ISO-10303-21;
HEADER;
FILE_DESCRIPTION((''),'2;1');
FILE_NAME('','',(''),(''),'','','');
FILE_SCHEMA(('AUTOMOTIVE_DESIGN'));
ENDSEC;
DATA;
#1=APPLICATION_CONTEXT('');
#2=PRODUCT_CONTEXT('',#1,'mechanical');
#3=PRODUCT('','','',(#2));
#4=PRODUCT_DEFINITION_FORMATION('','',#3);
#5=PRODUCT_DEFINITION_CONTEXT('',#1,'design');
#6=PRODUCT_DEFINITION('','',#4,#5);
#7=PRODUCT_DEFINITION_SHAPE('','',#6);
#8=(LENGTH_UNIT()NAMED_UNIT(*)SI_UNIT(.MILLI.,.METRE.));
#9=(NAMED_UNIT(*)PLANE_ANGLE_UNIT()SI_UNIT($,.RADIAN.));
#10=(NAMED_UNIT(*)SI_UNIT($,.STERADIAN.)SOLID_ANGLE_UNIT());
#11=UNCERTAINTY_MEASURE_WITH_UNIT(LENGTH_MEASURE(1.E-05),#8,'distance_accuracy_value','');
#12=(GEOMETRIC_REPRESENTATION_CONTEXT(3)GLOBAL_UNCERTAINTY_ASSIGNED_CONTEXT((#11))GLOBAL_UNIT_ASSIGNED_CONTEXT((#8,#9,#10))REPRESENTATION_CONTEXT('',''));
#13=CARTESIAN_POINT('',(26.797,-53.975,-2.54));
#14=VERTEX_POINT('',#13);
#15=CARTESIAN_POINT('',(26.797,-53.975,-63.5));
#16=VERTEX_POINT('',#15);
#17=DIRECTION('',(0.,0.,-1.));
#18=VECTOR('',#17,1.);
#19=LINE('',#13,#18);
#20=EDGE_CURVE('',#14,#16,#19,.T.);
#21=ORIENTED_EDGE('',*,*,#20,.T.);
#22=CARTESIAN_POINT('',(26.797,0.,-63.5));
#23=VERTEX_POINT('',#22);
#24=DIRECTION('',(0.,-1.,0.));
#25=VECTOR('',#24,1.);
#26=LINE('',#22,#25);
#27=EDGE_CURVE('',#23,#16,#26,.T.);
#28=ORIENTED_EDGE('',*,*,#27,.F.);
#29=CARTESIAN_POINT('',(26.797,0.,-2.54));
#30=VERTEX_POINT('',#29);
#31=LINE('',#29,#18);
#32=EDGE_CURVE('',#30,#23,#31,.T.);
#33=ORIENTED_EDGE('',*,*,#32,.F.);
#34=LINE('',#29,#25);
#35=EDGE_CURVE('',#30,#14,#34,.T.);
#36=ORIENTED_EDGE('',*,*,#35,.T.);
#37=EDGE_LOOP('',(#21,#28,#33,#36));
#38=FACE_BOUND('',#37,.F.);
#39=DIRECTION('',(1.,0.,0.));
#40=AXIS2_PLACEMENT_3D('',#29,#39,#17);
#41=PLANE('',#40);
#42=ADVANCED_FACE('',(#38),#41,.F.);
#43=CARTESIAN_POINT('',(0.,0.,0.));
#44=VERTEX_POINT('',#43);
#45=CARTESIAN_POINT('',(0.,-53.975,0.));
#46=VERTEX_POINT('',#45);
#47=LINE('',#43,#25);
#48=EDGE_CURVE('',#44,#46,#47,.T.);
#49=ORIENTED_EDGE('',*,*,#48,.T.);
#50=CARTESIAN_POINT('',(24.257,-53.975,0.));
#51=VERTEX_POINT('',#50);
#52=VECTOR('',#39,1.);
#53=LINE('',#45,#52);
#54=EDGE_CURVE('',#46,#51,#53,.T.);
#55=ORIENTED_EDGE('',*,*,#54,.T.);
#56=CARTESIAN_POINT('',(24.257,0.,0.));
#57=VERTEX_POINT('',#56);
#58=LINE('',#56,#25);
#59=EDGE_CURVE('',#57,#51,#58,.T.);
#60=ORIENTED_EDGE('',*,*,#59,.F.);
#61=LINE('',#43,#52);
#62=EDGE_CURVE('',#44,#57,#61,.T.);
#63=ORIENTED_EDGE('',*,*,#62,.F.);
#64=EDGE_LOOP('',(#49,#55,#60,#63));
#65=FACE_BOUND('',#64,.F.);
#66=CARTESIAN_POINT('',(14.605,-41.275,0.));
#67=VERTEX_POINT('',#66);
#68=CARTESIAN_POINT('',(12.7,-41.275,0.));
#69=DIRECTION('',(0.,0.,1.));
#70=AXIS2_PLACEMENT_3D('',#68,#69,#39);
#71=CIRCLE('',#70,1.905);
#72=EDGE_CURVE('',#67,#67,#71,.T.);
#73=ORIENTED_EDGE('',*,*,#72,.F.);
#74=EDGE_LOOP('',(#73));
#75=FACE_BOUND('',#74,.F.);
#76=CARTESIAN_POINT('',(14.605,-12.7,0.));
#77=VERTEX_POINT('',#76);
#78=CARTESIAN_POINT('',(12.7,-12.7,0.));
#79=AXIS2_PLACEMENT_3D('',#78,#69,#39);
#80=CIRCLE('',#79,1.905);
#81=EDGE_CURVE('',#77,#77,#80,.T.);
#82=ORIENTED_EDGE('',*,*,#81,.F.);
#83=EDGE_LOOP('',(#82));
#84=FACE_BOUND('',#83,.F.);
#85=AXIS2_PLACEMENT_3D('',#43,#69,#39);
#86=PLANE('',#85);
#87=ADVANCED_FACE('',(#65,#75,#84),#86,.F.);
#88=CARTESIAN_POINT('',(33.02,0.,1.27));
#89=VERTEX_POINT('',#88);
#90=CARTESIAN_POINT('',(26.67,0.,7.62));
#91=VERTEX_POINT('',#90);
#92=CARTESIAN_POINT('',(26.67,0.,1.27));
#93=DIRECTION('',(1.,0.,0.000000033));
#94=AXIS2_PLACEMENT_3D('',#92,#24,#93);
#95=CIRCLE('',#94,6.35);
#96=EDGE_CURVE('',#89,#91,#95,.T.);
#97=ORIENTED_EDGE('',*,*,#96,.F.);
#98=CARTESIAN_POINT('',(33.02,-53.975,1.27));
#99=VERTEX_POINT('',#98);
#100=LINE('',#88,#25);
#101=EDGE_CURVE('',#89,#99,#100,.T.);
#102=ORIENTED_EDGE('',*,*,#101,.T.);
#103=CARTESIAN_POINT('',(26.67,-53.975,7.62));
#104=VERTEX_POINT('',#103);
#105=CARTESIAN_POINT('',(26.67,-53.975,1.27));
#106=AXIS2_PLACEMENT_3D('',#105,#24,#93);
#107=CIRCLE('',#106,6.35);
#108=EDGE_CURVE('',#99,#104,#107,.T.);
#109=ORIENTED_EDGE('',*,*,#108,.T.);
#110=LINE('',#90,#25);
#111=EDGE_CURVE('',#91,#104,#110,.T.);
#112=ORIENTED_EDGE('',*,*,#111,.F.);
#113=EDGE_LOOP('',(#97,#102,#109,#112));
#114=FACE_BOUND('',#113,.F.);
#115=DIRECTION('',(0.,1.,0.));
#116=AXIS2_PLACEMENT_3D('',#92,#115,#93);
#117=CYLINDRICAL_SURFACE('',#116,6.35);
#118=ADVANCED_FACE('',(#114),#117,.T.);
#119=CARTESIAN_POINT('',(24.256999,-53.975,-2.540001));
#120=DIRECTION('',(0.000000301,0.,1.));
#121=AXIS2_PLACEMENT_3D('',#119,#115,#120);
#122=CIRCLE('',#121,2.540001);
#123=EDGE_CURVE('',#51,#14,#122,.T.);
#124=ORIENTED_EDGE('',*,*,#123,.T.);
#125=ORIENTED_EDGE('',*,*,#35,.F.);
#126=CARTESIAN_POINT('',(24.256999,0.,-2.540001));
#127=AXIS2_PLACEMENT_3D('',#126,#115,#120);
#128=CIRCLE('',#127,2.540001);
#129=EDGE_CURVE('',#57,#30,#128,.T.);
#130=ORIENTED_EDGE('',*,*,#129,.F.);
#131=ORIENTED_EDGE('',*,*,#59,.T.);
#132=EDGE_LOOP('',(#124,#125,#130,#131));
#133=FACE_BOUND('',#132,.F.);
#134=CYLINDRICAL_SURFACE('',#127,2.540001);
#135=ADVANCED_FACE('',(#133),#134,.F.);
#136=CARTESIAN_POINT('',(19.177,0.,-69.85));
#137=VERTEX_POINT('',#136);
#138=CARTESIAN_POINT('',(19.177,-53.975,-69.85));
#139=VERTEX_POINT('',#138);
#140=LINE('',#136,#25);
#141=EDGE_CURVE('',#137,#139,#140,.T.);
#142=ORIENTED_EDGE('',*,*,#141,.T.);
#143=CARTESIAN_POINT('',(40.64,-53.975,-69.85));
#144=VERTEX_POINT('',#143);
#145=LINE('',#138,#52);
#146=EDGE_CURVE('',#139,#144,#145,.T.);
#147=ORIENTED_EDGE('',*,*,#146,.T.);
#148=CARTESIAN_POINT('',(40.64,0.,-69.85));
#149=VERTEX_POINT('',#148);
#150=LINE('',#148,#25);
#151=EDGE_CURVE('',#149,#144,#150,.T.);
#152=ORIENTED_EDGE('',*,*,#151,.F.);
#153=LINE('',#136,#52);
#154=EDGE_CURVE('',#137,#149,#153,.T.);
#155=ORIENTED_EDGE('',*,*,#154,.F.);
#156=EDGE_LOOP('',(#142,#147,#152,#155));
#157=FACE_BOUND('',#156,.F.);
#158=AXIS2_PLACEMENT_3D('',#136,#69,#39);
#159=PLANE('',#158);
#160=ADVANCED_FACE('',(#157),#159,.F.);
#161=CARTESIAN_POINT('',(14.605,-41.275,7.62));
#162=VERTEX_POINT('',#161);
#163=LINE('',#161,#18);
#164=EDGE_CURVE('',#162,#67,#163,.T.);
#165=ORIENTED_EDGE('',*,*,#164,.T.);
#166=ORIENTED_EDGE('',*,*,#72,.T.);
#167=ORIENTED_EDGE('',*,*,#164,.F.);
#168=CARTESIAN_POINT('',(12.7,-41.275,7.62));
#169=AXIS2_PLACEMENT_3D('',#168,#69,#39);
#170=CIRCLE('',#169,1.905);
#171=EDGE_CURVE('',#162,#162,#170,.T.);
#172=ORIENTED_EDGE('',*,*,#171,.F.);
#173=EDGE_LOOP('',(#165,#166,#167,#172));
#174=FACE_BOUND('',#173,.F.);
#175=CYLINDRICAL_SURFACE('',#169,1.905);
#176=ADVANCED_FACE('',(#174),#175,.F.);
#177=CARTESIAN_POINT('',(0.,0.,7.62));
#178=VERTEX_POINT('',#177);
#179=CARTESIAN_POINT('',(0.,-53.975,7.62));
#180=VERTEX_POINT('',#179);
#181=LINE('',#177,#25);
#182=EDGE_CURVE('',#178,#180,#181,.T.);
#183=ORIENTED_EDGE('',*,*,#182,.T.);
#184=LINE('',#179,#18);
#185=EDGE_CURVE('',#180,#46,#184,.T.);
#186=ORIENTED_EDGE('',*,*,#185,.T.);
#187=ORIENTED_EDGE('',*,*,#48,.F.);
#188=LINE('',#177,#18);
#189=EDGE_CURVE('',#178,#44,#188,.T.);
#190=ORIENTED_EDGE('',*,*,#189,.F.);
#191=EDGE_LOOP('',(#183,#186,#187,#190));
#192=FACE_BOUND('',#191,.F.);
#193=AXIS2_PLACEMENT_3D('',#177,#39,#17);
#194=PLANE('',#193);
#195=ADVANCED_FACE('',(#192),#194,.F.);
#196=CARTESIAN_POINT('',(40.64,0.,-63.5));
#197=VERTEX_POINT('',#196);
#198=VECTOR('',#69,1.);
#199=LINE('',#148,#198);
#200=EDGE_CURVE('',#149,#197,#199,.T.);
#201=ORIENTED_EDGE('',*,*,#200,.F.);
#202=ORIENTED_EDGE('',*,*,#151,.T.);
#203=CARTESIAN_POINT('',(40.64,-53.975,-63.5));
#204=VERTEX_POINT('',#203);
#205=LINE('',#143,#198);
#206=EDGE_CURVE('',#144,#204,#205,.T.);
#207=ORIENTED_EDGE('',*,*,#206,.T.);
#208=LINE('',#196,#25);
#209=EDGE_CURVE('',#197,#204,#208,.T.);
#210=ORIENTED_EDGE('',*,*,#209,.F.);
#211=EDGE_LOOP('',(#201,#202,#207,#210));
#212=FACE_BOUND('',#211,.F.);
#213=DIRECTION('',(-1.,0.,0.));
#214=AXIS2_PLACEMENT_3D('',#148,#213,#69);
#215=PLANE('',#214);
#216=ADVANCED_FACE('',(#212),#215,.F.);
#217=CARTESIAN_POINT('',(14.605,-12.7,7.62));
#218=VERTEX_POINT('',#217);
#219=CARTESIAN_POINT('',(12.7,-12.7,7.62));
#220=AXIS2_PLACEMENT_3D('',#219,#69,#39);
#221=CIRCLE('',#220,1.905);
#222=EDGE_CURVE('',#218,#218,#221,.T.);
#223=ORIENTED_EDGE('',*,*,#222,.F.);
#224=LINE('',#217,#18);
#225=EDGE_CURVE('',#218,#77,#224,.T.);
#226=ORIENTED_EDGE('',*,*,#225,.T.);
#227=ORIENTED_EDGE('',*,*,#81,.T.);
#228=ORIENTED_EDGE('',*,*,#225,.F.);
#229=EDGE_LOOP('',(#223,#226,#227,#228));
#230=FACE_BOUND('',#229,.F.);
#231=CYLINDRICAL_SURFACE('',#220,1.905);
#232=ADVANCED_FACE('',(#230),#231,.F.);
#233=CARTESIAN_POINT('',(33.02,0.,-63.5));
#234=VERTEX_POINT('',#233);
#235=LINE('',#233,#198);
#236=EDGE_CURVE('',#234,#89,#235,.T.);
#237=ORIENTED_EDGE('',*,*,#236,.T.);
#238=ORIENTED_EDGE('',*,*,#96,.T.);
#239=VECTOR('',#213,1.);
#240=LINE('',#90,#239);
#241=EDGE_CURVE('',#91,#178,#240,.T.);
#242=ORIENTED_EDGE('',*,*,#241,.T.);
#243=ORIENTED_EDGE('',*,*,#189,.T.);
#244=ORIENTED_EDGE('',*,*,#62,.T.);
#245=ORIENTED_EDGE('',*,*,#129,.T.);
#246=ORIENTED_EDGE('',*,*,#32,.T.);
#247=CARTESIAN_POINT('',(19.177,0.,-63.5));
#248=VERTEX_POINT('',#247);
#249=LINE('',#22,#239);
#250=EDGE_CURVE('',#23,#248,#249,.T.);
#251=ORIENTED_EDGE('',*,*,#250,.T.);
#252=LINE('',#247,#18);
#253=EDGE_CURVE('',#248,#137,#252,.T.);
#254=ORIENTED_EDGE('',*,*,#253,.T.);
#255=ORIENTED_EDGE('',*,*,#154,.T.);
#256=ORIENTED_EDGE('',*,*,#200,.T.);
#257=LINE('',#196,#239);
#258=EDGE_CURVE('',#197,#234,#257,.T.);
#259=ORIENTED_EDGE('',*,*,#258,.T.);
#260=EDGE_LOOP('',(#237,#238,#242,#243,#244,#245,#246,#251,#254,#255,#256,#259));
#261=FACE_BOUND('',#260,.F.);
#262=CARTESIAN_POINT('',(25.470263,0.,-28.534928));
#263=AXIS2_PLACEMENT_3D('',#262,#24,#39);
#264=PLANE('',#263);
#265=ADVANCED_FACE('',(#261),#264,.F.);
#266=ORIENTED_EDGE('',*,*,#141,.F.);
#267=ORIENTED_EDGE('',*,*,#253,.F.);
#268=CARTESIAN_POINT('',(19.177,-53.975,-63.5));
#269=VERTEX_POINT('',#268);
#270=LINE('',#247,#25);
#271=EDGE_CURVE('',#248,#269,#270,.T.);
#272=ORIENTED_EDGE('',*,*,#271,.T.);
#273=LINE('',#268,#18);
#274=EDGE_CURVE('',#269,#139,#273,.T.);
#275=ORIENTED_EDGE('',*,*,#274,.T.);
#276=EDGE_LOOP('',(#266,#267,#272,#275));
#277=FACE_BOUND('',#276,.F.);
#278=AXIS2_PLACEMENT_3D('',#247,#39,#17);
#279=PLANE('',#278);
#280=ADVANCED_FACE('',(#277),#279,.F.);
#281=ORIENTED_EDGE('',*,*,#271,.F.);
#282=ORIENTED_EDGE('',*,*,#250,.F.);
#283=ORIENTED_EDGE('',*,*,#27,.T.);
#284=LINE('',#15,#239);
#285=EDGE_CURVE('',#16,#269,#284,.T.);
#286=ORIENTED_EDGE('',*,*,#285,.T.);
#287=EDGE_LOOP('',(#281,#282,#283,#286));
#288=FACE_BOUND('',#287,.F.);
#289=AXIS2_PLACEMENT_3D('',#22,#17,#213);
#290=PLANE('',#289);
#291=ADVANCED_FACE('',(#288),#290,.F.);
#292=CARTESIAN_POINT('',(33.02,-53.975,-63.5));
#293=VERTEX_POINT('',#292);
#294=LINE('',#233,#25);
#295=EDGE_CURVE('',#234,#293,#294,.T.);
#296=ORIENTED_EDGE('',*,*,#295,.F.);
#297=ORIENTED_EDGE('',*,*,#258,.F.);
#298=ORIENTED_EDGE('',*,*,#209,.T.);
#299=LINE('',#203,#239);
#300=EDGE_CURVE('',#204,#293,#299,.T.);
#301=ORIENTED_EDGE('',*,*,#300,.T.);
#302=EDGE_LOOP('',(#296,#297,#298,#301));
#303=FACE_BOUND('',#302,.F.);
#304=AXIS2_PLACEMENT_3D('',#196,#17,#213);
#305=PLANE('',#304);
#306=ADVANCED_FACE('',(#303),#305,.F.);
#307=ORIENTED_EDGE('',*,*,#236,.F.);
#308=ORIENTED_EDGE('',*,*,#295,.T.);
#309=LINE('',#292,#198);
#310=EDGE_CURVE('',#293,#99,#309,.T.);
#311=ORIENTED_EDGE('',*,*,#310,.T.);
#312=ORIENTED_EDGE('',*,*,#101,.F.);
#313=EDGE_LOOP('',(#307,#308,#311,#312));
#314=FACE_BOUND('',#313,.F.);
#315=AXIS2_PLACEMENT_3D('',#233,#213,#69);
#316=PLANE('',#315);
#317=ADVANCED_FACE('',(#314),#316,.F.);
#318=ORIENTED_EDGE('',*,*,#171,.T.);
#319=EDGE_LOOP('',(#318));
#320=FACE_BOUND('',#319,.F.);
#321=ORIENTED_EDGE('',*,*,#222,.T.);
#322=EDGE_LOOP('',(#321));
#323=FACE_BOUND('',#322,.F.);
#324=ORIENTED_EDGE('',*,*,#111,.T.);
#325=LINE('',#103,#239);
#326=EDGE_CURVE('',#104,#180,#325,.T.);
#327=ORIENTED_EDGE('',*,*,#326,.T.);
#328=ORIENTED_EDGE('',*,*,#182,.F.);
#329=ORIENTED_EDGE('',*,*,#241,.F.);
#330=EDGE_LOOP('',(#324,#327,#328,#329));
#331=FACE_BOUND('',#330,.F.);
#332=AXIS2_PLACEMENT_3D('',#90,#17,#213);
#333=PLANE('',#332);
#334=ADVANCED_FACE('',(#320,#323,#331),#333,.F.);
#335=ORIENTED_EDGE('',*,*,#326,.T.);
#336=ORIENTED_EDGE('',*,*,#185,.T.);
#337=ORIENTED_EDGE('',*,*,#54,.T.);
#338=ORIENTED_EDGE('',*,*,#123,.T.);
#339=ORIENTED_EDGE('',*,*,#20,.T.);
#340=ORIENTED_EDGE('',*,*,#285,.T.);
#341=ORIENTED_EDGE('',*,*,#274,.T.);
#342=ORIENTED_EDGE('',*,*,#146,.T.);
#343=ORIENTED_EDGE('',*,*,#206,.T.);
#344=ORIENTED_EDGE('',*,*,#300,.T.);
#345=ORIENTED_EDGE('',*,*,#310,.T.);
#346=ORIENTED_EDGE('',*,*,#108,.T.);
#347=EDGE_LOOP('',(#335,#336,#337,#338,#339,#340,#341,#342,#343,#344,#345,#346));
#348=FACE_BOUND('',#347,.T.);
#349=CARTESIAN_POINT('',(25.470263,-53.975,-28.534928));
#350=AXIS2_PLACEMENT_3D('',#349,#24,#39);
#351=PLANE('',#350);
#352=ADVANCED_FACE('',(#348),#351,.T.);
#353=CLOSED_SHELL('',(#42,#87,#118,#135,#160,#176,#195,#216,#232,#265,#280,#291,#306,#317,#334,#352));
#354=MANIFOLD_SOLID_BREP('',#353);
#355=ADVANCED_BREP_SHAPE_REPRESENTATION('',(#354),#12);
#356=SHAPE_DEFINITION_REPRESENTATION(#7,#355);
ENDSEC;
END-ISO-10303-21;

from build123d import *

# Parameters (mm, degrees)
F1_DEPTH = 53.975
F2_R     = 1.905
F3_DEPTH = 25.4


with BuildPart() as f1:
    # F0 (on Front) → F1 (new body)
    with BuildSketch(Plane.XZ):
        with BuildLine():
            Line((0, 7.62), (0, 0))
            Line((0, 0), (24.257, 0))
            ThreePointArc((24.257, 0), (26.053051, -0.743949), (26.797, -2.54))
            Line((26.797, -2.54), (26.797, -63.5))
            Line((26.797, -63.5), (19.177, -63.5))
            Line((19.177, -63.5), (19.177, -69.85))
            Line((19.177, -69.85), (40.64, -69.85))
            Line((40.64, -69.85), (40.64, -63.5))
            Line((40.64, -63.5), (33.02, -63.5))
            Line((33.02, -63.5), (33.02, 1.27))
            ThreePointArc((33.02, 1.27), (31.160128, 5.760128), (26.67, 7.62))
            Line((26.67, 7.62), (0, 7.62))
        make_face()
    extrude(amount=F1_DEPTH)

    # F2 (on face) → F3 (cut)
    with BuildSketch(Plane.XY.offset(7.62)):
        with Locations((12.7, -41.275)):
            Circle(F2_R)
        with Locations((12.7, -12.7)):
            Circle(F2_R)
    extrude(amount=-F3_DEPTH, mode=Mode.SUBTRACT)


solid = f1.part
